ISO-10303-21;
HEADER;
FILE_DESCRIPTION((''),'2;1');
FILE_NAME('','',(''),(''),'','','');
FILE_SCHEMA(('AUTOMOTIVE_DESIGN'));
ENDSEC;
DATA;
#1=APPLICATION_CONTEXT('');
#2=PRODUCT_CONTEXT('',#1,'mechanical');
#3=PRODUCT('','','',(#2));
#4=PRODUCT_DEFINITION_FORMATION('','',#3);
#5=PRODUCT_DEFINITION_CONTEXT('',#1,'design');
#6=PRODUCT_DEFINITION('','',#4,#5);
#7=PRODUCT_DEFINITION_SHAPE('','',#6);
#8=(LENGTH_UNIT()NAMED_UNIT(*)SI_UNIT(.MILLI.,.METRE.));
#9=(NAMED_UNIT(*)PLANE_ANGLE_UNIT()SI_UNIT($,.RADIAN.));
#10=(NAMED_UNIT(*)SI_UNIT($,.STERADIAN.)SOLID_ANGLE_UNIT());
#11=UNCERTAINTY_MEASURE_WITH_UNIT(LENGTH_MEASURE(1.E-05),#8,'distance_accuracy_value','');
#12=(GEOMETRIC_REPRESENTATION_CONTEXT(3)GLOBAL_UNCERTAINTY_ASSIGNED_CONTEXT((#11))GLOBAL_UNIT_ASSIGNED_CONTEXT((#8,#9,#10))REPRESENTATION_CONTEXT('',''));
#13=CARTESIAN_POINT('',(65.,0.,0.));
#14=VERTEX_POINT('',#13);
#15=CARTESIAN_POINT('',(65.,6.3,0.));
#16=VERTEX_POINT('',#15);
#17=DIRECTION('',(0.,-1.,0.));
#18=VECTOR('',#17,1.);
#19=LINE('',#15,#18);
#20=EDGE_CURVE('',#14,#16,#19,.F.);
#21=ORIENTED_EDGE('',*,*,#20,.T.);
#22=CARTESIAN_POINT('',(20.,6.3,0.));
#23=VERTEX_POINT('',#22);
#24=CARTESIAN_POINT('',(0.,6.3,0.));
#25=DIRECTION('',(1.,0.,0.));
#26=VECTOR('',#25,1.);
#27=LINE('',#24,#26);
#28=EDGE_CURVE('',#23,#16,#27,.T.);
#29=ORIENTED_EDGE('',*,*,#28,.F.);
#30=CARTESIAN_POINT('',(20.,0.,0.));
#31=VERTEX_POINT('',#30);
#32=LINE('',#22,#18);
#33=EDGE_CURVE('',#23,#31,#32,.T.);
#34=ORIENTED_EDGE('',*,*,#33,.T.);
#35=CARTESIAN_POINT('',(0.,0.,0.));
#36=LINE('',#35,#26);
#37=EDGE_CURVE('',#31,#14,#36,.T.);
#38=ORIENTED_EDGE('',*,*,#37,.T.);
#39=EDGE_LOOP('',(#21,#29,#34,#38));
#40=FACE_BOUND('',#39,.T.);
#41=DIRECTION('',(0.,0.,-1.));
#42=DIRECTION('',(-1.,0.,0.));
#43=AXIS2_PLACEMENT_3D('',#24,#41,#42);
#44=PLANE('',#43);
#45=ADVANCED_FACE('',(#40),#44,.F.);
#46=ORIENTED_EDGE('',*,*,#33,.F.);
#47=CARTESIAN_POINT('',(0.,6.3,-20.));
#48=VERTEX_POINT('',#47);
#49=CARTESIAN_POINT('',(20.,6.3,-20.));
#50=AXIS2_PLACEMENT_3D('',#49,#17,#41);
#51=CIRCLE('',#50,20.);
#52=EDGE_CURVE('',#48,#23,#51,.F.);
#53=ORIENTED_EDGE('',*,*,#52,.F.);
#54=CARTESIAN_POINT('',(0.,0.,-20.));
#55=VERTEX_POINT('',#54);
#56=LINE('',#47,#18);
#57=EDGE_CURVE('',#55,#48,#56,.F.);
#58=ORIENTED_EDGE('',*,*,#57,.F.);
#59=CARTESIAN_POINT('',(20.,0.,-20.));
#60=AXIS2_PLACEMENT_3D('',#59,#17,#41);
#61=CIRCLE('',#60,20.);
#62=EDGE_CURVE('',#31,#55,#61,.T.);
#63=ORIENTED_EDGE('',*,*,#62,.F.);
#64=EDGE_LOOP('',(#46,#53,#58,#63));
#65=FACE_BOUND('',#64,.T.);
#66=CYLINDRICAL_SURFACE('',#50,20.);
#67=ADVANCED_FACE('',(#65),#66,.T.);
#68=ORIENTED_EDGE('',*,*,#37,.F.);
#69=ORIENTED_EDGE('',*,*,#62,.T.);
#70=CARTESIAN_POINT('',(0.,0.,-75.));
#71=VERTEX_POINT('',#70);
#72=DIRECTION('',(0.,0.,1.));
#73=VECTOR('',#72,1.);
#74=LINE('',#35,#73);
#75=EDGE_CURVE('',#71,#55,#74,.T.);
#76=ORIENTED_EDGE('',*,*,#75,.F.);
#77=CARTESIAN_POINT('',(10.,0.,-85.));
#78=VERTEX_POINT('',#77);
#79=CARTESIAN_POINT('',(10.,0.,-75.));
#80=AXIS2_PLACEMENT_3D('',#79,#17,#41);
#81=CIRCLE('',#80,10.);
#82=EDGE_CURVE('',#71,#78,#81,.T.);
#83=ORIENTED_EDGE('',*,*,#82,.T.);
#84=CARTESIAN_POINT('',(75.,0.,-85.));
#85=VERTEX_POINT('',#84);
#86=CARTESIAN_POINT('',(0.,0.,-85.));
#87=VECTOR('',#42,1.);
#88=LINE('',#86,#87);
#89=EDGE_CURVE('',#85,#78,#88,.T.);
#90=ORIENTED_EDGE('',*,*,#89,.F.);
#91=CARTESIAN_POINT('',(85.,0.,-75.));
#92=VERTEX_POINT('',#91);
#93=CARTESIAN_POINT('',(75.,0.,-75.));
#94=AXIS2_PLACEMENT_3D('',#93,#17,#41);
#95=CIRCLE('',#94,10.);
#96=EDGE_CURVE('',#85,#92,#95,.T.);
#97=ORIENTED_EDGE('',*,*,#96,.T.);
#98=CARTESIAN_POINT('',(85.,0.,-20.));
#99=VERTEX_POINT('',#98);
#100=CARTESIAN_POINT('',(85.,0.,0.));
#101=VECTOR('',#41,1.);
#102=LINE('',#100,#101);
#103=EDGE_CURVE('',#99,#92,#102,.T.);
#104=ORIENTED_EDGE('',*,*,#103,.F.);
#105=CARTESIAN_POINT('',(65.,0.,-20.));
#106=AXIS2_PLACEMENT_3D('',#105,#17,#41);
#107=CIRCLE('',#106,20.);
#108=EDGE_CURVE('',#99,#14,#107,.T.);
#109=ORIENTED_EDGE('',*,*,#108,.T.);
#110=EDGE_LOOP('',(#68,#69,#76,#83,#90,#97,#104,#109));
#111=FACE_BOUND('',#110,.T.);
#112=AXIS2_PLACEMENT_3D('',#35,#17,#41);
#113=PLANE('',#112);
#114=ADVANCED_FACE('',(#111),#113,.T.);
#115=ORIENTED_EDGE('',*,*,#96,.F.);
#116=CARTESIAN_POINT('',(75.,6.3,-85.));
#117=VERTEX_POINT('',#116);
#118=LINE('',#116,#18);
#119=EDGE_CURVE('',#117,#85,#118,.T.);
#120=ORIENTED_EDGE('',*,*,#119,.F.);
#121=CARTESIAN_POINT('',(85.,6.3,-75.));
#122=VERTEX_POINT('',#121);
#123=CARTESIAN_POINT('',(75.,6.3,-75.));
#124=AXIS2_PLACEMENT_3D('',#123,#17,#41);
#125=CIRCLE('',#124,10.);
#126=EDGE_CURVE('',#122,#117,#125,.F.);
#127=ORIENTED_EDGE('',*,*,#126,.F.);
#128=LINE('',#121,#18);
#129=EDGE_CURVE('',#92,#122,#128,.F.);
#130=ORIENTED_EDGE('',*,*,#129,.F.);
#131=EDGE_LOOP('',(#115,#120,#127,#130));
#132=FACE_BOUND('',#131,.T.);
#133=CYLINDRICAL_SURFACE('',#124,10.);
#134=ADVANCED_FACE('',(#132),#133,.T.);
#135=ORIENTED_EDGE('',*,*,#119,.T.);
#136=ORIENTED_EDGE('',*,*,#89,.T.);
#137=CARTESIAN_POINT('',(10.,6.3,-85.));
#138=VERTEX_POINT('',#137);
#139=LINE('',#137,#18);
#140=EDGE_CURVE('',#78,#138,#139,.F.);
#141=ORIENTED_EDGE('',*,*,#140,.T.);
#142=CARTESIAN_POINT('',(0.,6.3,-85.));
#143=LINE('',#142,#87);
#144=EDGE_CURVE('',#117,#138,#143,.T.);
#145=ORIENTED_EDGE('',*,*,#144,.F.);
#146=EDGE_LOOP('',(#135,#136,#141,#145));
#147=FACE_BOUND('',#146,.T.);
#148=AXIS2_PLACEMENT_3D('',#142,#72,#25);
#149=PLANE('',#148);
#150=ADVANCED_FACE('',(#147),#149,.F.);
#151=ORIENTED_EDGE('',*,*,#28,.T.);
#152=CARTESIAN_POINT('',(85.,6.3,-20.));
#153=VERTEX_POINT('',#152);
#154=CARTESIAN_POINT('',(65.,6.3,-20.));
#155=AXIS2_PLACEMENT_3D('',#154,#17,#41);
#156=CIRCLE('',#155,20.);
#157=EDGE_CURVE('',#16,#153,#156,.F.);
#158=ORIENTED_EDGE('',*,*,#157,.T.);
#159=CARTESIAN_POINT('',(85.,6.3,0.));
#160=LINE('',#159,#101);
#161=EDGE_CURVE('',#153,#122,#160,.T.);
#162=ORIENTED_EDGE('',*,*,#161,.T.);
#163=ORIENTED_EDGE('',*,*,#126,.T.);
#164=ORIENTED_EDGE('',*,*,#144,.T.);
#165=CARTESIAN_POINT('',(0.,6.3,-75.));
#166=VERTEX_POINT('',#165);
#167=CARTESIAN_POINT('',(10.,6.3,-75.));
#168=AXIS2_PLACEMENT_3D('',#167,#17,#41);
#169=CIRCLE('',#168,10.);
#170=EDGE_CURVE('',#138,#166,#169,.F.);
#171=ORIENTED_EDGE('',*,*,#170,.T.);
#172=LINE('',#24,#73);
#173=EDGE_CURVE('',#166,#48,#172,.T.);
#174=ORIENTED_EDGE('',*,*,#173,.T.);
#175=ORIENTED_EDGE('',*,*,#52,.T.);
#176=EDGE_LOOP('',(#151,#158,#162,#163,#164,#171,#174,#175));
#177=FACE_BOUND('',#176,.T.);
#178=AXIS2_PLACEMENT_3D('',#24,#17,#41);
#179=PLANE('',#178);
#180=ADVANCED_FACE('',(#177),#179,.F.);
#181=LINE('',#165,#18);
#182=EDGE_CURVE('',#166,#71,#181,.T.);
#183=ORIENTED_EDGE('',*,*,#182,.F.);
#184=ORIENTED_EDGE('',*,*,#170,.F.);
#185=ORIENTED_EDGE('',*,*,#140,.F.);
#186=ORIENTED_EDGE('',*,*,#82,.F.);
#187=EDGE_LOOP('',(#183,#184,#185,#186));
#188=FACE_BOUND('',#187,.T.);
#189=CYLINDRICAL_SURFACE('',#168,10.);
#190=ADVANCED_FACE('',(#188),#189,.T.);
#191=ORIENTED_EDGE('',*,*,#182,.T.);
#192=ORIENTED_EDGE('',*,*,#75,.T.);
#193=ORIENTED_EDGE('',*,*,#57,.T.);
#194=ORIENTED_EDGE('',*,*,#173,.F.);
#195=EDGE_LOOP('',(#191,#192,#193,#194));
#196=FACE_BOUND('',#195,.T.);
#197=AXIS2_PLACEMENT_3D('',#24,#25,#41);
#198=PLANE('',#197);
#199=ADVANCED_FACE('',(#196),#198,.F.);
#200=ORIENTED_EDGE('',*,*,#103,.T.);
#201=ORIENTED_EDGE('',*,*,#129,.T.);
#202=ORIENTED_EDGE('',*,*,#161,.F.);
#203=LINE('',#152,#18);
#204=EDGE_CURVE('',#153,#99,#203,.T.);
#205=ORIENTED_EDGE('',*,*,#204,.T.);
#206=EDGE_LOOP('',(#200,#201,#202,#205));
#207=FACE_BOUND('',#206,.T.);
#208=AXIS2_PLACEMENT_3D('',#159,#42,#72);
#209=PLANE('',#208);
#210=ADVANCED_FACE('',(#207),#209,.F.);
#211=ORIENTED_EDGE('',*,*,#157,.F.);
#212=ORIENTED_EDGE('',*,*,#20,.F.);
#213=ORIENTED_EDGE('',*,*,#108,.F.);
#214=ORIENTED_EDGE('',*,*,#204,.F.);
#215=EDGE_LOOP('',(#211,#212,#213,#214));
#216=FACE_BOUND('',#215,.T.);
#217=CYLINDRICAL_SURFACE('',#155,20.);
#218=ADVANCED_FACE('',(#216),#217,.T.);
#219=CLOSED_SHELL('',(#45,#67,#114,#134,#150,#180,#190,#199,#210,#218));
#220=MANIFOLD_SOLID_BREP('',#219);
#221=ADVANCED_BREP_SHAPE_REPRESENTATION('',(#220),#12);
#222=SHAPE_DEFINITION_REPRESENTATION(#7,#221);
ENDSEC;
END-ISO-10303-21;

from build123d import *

# Parameters (mm, degrees)
SKETCH1_W           = 85
SKETCH1_H           = 85
BOSS_EXTRUDE1_DEPTH = 6.3
FILLET1_R           = 10
FILLET2_R           = 20


with BuildPart() as part:
    # Sketch1 → Boss-Extrude1 (new body)
    with BuildSketch(Plane(origin=(0, 0, 0), x_dir=(1, 0, 0), z_dir=(0, 1, 0))):
        with Locations((42.5, 42.5)):
            Rectangle(SKETCH1_W, SKETCH1_H)
    extrude(amount=BOSS_EXTRUDE1_DEPTH)

    # Fillet1
    fillet1_edges = [part.edges().sort_by_distance(p)[0] for p in [
        (0, 3.15, -85),
        (85, 3.15, -85),
    ]]
    fillet(fillet1_edges, radius=FILLET1_R)

    # Fillet2
    fillet2_edges = [part.edges().sort_by_distance(p)[0] for p in [
        (85, 3.15, 0),
        (0, 3.15, 0),
    ]]
    fillet(fillet2_edges, radius=FILLET2_R)


solid = part.part
